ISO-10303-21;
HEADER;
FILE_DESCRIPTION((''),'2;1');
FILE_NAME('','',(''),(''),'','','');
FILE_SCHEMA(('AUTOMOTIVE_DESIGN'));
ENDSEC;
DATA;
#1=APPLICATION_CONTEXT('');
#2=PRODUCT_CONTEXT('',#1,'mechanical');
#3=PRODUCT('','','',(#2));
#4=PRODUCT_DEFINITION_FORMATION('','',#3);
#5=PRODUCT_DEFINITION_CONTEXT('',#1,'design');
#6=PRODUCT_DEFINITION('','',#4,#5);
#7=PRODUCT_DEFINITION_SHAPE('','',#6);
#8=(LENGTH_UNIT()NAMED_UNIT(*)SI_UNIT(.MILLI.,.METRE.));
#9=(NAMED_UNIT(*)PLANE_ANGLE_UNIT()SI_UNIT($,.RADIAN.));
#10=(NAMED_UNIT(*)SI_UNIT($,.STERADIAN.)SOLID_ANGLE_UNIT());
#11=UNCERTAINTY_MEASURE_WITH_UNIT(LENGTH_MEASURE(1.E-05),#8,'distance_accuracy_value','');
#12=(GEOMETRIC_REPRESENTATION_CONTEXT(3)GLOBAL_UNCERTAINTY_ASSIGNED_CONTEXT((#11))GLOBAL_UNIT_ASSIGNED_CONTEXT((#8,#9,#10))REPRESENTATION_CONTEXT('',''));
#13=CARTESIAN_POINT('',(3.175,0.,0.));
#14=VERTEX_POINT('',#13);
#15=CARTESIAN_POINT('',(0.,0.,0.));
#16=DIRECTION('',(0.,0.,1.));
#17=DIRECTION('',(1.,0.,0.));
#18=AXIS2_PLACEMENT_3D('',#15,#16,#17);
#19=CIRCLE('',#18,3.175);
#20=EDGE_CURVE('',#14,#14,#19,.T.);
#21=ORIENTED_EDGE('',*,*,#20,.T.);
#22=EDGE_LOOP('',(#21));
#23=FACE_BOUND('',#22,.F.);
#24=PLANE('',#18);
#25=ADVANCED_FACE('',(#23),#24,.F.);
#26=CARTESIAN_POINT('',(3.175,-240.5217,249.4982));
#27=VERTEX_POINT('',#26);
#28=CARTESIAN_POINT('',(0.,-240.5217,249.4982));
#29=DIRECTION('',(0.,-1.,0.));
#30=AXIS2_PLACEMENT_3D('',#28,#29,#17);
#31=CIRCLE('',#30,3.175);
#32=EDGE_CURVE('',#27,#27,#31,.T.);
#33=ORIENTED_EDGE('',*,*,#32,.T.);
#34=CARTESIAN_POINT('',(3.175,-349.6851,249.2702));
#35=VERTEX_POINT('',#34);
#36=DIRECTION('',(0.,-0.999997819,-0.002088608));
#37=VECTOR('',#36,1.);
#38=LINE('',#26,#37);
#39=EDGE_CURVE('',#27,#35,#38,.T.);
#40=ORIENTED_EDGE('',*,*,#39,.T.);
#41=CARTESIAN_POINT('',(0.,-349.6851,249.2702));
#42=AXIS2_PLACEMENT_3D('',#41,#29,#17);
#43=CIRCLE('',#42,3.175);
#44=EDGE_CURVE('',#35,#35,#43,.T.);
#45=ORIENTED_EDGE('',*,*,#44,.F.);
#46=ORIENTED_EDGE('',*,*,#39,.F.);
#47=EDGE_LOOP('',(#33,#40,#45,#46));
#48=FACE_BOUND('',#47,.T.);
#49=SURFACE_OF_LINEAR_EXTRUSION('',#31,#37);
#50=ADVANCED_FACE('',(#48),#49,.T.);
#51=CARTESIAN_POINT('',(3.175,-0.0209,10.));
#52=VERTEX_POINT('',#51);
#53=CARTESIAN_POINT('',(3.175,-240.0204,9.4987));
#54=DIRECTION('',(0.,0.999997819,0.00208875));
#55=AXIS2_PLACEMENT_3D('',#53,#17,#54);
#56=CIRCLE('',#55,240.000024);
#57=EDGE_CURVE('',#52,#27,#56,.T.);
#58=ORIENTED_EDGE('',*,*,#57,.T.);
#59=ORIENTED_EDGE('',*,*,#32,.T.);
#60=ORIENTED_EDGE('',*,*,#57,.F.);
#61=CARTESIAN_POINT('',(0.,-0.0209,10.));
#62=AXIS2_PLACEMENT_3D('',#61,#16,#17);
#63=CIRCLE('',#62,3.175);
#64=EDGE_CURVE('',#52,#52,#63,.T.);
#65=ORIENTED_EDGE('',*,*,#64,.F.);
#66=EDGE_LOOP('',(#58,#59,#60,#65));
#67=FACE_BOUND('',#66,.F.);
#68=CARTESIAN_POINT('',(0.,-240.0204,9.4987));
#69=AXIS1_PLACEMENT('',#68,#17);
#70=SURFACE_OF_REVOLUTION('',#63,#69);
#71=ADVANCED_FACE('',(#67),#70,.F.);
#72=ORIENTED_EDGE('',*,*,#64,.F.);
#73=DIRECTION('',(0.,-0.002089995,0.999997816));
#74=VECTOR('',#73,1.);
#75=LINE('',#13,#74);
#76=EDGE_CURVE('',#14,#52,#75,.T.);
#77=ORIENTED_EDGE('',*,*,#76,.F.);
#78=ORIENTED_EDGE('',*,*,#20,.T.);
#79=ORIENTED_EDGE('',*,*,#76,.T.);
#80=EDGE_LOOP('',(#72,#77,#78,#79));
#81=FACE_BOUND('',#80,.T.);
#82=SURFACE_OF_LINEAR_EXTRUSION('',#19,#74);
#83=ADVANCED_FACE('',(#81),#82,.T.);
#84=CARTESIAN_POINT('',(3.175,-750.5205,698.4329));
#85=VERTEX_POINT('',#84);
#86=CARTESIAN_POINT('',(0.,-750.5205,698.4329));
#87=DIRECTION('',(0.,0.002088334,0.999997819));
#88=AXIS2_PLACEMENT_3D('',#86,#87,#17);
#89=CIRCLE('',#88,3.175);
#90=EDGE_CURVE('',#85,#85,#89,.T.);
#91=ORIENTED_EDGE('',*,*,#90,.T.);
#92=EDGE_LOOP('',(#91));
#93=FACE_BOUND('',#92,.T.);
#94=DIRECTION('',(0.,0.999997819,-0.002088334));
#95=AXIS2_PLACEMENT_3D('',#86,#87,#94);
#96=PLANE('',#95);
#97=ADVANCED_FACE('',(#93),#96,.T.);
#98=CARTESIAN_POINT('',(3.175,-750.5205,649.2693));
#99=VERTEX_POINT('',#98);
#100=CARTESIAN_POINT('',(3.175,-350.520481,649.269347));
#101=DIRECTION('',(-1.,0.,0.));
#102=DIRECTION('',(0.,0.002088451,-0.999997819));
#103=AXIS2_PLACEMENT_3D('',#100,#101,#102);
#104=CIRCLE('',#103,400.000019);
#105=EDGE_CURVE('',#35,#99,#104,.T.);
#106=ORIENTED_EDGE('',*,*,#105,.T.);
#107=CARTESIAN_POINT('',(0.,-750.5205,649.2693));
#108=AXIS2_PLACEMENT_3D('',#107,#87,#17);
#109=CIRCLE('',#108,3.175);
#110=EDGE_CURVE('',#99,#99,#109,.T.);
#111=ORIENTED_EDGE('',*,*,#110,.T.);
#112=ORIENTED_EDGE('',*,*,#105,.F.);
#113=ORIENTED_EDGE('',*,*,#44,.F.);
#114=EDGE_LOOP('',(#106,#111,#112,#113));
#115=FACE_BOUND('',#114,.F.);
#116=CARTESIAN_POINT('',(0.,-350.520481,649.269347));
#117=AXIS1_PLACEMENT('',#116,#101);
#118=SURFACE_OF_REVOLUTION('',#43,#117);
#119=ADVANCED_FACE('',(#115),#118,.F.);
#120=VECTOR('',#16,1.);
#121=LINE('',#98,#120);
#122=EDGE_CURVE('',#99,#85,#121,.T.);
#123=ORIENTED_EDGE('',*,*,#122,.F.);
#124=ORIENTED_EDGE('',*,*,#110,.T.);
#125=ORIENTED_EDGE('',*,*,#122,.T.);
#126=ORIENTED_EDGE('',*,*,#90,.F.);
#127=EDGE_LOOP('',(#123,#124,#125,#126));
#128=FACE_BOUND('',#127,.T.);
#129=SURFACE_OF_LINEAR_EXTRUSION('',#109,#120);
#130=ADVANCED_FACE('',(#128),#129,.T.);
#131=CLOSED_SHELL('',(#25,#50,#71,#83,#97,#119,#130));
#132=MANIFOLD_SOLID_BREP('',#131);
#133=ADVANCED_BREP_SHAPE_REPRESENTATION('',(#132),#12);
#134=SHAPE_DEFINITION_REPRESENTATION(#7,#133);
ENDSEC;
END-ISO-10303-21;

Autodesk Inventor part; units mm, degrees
ref_plane "YZ Plane" through (0, 0, 0) normal (1, 0, 0) x (0, 1, 0)
ref_plane "XZ Plane" through (0, 0, 0) normal (0, 1, 0) x (-1, 0, 0)
ref_plane "XY Plane" through (0, 0, 0) normal (0, 0, 1) x (1, 0, 0)
ref_plane "Work Plane1" through (0, 0, 0) normal (0, -0.0021, 1) x (1, 0, 0)
ref_plane "Work Plane3" through (0, 0, 0) normal (0, 0, 1) x (1, 0, 0)
sketch "Sketch2" plane through (0, 0, 0) normal (0, 0, 1) x (1, 0, 0)
  circle A0 centre (0, 0) radius 3.175
  dimension "d13" = 6.35
sketch3d "3D Sketch1"
  line L0 (0, 0, 0) -> (0, -0.0209, 10)
  arc A0 (0, -0.0209, 10) -> (0, -240.5217, 249.4982) centre (0, -240.0204, 9.4987) ccw
  line L1 (0, -240.5217, 249.4982) -> (0, -349.6851, 249.2702)
  arc A1 (0, -349.6851, 249.2702) -> (0, -750.5205, 649.2693) centre (0, -350.5205, 649.2693) ccw
  line L2 (0, -750.5205, 649.2693) -> (0, -750.5205, 698.4329)
  dimension "d0" = 250
  dimension "d1" = 750
  dimension "d2" = 90
  dimension "d6" = 450
  dimension "d7" = 0
  dimension "d9" = 240
  dimension "d10" = 400
sweep "Sweep2" add profiles "Sketch2" path "3D Sketch1"
properties part number "Cable 220V - 2.5in - 1.5m" material "Acetal Resin, Black"
